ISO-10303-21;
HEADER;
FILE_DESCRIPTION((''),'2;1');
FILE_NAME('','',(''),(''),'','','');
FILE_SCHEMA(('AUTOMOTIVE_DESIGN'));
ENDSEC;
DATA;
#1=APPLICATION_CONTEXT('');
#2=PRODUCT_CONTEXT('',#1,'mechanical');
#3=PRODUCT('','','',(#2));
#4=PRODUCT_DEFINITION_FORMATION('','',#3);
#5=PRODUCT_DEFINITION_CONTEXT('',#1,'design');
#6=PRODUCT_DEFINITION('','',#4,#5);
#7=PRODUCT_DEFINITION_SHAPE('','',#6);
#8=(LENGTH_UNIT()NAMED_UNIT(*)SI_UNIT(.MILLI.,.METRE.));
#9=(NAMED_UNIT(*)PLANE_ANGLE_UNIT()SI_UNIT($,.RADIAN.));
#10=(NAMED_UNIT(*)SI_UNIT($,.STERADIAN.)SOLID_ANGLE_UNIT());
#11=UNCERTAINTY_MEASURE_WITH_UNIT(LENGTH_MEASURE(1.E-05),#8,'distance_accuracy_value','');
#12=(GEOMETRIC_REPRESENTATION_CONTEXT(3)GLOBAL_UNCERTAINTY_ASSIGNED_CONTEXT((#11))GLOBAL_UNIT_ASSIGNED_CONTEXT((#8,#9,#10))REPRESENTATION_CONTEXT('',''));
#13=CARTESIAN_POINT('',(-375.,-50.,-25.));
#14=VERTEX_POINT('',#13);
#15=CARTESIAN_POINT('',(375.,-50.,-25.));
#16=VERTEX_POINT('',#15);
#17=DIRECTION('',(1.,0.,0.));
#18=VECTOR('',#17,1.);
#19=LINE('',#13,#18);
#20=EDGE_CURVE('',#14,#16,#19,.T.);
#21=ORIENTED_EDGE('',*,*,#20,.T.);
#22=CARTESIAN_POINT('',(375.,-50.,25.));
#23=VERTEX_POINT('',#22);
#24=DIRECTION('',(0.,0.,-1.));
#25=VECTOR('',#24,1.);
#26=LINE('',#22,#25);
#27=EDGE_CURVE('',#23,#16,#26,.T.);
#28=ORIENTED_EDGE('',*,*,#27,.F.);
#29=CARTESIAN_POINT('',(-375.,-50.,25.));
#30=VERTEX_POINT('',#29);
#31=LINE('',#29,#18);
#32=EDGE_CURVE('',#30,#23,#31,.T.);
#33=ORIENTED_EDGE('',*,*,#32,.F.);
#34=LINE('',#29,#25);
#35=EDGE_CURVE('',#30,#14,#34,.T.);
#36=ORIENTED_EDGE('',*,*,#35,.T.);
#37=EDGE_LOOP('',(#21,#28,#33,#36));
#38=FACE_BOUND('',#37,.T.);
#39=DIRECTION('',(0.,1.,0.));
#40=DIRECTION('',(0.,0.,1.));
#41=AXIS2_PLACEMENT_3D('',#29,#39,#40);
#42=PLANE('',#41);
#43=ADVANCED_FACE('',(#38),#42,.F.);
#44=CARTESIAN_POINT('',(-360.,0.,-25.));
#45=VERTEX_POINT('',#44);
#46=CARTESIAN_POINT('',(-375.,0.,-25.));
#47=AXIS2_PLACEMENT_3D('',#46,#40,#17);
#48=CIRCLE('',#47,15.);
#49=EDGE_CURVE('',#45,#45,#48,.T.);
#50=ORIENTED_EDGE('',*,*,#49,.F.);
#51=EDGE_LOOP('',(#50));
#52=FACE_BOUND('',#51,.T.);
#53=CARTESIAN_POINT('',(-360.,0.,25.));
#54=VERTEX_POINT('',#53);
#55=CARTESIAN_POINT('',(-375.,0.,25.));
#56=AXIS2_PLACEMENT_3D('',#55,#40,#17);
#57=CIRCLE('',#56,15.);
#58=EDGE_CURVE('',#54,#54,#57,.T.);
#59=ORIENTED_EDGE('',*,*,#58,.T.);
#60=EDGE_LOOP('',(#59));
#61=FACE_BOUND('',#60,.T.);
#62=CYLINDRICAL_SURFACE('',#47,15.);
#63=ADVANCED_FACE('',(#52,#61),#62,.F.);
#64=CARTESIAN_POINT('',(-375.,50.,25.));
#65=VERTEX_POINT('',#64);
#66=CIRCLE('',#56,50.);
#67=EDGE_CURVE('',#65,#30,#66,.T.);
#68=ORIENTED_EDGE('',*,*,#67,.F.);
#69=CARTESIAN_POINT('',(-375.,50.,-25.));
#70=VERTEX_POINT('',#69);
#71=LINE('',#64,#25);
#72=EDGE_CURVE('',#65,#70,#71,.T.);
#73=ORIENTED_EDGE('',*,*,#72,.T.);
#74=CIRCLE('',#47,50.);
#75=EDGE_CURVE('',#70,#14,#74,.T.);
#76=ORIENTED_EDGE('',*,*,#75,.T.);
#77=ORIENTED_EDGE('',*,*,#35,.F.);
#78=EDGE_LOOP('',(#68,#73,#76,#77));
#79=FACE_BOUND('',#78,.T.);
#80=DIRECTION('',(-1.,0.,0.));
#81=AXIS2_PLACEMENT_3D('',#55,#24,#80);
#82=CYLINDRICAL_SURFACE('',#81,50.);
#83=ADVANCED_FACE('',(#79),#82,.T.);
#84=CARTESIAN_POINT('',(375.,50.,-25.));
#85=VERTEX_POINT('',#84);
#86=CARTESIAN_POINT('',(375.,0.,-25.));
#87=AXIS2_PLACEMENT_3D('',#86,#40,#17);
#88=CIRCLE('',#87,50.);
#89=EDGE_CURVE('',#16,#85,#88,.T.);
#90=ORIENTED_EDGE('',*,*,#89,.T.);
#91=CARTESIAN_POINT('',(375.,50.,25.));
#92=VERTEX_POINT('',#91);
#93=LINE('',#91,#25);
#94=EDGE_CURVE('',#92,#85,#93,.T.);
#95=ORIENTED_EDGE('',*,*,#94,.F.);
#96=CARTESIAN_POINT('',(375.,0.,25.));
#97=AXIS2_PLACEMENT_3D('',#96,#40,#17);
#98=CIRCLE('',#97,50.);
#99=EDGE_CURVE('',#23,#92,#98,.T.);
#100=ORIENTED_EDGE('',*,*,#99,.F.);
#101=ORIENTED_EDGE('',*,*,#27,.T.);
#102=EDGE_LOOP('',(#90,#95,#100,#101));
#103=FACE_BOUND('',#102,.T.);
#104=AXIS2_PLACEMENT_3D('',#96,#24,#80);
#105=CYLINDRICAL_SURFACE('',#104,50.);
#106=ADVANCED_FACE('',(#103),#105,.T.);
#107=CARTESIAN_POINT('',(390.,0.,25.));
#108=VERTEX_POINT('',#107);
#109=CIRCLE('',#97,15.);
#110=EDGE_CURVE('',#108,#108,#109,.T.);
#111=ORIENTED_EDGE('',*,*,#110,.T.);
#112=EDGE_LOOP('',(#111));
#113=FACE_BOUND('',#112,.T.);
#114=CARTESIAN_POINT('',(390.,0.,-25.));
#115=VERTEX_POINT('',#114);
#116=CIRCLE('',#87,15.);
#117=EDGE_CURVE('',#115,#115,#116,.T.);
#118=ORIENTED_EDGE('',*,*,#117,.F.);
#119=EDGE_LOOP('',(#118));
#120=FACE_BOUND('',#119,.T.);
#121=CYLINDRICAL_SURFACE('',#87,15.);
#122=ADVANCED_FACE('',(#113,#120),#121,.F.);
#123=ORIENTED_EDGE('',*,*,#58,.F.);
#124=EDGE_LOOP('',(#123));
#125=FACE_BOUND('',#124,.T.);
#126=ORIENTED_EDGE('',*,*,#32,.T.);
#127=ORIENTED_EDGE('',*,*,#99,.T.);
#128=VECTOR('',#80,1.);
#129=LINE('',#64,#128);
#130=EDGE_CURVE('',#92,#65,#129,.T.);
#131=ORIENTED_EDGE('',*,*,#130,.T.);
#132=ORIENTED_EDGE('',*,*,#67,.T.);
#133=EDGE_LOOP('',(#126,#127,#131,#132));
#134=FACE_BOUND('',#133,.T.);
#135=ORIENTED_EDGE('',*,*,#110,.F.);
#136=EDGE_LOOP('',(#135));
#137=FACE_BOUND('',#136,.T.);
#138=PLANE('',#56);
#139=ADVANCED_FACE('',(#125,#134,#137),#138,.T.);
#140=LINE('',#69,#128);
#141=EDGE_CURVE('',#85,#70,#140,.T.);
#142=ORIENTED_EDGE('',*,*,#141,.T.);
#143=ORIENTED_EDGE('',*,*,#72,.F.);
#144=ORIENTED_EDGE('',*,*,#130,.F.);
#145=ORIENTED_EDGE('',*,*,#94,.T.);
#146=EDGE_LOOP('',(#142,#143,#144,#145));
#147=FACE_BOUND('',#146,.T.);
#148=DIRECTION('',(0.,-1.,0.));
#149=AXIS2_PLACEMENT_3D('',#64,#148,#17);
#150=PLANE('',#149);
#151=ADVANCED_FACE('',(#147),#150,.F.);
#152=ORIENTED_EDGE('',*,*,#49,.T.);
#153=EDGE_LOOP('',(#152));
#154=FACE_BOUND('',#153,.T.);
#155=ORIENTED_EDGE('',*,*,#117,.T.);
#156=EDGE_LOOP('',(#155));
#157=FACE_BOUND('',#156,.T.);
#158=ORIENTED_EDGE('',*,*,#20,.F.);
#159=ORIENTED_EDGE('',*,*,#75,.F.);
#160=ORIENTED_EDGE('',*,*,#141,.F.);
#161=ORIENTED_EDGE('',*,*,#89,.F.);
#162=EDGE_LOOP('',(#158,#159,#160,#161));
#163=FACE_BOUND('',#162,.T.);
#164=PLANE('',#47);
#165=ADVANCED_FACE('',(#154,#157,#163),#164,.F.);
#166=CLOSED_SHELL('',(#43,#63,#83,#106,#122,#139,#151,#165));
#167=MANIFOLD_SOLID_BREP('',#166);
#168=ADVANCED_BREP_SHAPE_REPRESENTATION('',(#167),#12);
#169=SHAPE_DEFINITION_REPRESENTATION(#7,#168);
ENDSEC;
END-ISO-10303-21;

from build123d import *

# Parameters (mm, degrees)
BOSS_EXTRUDE1_DEPTH = 25
SKETCH2_R           = 15
CUT_EXTRUDE1_DEPTH  = 51


with BuildPart() as part:
    # Sketch1 → Boss-Extrude1 (new body, symmetric)
    with BuildSketch(Plane.XY):
        with BuildLine():
            Line((-375, 50), (375, 50))
            ThreePointArc((375, 50), (425, 0), (375, -50))
            Line((375, -50), (-375, -50))
            ThreePointArc((-375, -50), (-425, 0), (-375, 50))
        make_face()
    extrude(amount=BOSS_EXTRUDE1_DEPTH, both=True)

    # Sketch2 → Cut-Extrude1 (cut, through all)
    with BuildSketch(Plane.XY.offset(25)):
        with Locations((-375, 0)):
            Circle(SKETCH2_R)
        with Locations((375, 0)):
            Circle(SKETCH2_R)
    extrude(amount=-CUT_EXTRUDE1_DEPTH, mode=Mode.SUBTRACT)


solid = part.part
